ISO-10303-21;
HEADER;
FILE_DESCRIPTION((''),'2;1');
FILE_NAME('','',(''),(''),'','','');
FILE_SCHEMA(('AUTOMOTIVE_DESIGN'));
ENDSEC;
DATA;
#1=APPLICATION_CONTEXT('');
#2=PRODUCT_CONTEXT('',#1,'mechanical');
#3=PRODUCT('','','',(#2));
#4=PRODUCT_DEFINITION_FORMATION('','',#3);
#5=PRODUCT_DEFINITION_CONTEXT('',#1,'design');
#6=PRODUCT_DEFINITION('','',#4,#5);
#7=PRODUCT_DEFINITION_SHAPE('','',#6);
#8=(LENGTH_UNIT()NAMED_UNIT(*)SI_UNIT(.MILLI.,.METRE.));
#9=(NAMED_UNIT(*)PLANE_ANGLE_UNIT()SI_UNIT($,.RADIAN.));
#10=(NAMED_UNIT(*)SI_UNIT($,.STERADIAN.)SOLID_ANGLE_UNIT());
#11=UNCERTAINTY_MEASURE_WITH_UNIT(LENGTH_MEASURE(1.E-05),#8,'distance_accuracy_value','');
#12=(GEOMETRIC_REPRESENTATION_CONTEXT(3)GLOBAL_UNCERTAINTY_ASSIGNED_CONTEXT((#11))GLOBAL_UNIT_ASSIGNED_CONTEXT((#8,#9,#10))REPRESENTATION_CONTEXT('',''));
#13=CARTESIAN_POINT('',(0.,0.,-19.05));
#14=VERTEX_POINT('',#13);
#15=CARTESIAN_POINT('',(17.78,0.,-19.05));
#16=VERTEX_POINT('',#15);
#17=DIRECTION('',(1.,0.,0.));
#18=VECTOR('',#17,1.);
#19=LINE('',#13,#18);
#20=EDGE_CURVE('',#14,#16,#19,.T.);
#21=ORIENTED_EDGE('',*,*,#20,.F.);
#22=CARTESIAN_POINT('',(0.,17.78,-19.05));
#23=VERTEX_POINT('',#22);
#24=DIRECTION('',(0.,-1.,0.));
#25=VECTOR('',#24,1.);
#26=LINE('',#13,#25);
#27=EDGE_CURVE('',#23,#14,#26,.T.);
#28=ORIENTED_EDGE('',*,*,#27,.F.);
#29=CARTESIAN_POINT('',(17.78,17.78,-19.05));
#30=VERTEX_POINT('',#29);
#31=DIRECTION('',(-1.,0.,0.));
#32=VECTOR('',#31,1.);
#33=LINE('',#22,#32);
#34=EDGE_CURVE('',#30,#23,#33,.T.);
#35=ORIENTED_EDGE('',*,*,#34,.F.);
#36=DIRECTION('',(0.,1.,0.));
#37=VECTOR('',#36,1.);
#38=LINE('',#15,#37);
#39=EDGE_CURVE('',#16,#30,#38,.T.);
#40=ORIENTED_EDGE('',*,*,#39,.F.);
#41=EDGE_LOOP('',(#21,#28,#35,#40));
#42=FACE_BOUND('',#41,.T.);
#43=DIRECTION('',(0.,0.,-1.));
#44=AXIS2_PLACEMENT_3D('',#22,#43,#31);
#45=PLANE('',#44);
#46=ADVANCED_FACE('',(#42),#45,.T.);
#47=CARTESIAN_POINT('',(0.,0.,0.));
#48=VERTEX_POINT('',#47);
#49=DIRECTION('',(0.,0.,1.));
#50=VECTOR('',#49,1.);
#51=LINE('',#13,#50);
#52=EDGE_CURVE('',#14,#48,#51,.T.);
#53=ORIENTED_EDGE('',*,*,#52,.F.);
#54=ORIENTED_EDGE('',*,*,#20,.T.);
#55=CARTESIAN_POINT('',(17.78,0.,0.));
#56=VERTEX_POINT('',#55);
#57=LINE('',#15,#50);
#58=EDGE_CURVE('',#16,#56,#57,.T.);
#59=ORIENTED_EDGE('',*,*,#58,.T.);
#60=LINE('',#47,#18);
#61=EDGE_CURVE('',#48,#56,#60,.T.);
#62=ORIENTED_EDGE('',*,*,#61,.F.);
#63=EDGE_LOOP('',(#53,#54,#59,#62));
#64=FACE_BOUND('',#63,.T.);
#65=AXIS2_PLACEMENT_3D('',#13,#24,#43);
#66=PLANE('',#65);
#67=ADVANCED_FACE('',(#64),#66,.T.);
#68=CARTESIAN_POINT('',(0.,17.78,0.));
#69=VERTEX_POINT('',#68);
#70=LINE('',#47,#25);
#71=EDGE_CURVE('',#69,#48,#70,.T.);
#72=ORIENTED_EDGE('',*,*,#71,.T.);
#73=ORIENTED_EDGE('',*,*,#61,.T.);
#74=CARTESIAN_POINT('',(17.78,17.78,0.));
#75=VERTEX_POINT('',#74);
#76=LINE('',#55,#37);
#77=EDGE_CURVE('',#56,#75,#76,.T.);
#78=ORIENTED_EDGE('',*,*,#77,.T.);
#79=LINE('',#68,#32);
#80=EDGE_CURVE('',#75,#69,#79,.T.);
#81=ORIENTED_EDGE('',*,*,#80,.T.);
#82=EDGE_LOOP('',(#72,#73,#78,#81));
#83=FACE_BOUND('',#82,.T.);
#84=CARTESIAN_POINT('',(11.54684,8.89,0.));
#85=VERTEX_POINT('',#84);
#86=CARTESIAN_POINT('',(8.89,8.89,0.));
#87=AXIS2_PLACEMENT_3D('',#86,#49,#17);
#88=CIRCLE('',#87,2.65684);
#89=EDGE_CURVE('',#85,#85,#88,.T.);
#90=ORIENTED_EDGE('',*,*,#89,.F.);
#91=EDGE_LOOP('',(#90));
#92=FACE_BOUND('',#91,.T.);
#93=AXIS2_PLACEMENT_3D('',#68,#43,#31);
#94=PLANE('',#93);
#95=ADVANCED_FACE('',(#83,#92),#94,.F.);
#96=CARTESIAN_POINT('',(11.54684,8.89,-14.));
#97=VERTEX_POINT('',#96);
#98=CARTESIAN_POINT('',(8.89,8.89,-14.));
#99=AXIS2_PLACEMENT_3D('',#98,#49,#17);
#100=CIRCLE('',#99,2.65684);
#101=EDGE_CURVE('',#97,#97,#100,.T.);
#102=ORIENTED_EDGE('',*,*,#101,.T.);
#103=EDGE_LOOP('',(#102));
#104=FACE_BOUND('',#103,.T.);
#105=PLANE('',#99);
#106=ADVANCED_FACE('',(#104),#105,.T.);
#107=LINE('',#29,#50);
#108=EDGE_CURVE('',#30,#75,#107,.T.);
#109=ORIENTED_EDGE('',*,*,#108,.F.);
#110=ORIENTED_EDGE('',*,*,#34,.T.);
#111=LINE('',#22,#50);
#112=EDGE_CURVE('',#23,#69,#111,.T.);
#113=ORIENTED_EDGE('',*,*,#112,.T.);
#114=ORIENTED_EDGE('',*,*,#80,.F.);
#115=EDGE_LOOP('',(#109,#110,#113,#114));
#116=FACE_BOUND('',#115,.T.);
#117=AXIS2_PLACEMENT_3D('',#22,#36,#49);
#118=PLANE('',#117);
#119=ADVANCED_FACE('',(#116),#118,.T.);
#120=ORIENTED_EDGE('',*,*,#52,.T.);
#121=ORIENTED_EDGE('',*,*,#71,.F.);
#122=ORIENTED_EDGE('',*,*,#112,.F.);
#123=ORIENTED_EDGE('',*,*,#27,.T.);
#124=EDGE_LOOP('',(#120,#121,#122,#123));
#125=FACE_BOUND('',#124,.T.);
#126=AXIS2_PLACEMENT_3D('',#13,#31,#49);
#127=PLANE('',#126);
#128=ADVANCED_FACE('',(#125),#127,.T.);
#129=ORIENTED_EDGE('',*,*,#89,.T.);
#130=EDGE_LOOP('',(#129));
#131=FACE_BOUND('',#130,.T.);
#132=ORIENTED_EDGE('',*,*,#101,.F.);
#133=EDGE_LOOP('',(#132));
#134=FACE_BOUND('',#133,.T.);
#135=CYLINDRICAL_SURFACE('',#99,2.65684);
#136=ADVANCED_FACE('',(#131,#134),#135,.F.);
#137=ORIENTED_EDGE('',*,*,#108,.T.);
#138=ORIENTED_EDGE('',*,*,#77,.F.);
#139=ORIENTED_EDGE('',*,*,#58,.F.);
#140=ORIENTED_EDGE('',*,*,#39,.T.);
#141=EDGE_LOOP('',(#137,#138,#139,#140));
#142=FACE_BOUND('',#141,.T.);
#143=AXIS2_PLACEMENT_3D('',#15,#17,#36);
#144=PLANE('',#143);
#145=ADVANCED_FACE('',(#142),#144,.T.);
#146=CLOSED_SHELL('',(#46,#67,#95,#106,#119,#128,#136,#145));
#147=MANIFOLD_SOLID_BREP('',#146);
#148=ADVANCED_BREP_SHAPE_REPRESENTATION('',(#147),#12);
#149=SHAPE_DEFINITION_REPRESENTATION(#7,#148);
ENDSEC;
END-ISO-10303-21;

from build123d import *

# Parameters (mm, degrees)
SKETCH1_W          = 17.78
SKETCH1_H          = 17.78
EXTRUDE1_DEPTH     = 19.05
SKETCH2_R          = 2.65684
CUT_EXTRUDE1_DEPTH = 13.99999994


with BuildPart() as part:
    # Sketch1 → Extrude1 (new body)
    with BuildSketch(Plane.XY):
        with Locations((8.89, 8.89)):
            Rectangle(SKETCH1_W, SKETCH1_H)
    extrude(amount=-EXTRUDE1_DEPTH)

    # Sketch2 → Cut-Extrude1 (cut)
    with BuildSketch(Plane.XY):
        with Locations((8.89, 8.89)):
            Circle(SKETCH2_R)
    extrude(amount=-CUT_EXTRUDE1_DEPTH, mode=Mode.SUBTRACT)


solid = part.part
